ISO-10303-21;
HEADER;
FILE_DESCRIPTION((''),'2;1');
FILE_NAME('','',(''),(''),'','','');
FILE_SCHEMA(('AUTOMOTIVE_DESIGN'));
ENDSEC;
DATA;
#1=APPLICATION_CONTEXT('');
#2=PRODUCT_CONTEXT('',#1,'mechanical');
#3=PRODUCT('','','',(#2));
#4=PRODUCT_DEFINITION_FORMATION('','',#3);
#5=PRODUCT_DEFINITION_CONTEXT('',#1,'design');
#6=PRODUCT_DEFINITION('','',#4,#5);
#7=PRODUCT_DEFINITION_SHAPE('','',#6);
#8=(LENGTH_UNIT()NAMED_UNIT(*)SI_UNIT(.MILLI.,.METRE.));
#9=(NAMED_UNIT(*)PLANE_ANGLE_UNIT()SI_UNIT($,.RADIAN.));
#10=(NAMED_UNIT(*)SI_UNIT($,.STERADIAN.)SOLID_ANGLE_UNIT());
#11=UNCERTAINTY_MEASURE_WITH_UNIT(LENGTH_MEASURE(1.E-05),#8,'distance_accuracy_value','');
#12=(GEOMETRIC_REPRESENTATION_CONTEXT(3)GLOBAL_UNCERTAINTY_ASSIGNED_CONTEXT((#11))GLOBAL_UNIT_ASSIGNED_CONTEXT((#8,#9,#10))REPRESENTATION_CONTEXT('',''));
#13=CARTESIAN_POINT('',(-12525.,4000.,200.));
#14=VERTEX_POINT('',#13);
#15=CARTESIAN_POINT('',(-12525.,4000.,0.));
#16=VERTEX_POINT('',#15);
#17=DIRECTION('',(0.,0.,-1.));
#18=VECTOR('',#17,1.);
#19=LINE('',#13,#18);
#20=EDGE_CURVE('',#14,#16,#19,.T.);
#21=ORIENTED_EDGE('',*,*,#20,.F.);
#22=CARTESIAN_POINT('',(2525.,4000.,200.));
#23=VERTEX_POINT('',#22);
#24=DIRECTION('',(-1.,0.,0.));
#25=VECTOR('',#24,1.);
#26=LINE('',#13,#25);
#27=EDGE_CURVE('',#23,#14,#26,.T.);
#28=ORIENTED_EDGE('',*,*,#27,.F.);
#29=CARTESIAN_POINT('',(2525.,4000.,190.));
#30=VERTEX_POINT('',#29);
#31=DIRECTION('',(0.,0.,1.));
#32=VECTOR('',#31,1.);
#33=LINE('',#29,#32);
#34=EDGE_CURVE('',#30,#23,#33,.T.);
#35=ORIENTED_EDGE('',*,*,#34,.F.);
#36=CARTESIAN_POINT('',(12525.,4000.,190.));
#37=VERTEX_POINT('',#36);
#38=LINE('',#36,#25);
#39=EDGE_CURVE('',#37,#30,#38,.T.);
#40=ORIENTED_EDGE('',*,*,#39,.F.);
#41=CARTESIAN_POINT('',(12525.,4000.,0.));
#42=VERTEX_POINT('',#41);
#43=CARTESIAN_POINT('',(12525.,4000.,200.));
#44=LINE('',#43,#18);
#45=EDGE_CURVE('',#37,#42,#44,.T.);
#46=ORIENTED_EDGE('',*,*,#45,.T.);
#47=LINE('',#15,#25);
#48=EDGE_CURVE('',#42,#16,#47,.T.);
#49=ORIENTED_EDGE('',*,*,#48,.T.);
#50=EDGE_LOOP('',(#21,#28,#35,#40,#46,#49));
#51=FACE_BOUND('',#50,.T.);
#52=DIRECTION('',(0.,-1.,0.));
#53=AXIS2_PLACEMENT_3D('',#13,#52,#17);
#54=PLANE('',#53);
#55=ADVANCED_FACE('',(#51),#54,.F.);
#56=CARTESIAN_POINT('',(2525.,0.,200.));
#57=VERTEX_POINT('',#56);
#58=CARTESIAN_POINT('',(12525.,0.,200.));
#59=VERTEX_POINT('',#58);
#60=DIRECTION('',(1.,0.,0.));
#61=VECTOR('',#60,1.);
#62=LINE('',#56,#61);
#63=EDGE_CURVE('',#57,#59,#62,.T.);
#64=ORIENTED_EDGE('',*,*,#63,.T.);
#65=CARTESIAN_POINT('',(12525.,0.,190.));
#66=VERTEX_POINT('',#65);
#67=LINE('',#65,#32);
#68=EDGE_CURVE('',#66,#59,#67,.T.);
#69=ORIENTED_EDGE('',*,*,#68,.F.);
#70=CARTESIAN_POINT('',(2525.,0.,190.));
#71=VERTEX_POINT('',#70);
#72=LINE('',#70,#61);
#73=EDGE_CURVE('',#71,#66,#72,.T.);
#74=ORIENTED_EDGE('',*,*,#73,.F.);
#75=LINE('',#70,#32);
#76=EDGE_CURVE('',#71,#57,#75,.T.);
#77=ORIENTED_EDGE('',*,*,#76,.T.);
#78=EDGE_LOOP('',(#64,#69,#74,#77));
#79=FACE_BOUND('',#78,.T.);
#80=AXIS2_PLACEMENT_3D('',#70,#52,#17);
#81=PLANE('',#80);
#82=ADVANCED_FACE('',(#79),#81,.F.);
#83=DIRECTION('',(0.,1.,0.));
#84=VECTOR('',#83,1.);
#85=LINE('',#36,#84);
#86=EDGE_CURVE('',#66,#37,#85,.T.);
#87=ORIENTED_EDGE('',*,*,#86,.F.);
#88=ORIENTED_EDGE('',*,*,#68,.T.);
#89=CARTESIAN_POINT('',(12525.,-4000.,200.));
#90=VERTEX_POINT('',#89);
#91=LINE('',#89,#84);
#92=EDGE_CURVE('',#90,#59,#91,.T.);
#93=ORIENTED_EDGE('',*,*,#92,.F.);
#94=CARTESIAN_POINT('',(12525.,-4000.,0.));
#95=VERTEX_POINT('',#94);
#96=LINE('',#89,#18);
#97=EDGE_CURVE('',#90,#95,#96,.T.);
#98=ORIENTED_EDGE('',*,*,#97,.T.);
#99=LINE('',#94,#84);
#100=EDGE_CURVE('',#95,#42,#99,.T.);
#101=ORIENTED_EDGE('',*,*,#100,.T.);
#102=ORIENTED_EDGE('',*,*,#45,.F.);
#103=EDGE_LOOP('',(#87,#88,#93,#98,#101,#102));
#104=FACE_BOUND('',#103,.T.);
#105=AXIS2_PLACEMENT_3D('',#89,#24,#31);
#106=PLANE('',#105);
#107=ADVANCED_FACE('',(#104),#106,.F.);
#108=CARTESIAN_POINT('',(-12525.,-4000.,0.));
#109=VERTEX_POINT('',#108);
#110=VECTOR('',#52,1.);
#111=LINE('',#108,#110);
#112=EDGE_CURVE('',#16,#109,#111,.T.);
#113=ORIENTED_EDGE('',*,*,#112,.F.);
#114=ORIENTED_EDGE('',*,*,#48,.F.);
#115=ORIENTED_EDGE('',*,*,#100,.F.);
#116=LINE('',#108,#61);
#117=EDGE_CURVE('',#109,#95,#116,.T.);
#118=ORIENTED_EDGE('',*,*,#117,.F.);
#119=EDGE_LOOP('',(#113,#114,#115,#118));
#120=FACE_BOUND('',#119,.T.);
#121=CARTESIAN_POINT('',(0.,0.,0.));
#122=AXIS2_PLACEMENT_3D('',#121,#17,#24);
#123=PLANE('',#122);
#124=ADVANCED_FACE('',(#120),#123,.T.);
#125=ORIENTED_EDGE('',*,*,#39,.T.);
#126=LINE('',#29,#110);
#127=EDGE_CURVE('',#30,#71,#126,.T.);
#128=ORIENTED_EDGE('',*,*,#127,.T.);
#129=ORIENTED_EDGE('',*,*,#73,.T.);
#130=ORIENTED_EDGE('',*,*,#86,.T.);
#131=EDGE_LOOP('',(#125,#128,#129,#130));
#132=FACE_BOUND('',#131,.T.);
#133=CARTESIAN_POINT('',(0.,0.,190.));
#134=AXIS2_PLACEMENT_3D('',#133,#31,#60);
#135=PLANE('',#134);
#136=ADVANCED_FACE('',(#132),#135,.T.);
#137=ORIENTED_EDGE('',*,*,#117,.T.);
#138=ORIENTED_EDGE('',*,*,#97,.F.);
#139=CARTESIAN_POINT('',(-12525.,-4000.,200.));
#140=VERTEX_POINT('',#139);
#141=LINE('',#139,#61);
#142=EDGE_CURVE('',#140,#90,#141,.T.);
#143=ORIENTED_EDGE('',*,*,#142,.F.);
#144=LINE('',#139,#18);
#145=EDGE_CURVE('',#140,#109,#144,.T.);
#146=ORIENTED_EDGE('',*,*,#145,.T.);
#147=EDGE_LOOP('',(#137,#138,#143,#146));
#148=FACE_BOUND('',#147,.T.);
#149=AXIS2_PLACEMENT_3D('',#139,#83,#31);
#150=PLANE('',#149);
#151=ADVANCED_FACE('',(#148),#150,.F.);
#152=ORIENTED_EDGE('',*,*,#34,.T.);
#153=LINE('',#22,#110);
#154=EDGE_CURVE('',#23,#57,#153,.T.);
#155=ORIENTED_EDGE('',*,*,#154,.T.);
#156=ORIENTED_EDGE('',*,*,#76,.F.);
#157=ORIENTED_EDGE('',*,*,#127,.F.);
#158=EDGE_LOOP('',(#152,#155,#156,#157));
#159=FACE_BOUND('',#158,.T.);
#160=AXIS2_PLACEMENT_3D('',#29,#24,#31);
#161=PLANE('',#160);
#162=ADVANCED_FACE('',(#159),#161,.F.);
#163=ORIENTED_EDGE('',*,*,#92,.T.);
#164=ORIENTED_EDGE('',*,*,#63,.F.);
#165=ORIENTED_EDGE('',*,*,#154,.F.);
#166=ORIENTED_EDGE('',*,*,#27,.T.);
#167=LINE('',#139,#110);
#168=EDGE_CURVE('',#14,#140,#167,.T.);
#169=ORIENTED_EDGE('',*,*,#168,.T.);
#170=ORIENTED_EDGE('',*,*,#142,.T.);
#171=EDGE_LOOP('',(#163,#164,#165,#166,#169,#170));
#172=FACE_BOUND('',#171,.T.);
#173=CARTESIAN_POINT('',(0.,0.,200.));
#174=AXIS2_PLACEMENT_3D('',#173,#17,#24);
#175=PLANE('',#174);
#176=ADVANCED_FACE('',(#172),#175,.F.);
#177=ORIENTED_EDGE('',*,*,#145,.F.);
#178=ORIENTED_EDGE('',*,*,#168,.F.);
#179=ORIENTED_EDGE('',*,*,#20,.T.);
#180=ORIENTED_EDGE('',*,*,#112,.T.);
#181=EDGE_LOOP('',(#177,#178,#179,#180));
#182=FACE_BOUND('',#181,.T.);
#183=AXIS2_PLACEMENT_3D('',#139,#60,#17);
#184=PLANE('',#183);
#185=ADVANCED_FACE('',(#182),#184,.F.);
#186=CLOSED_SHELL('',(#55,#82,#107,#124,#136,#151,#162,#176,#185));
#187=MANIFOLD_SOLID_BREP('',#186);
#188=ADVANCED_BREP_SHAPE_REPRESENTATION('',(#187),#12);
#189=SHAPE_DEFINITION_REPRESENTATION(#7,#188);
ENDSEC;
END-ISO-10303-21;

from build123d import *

# Parameters (mm, degrees)
CROQUIS1_W              = 25050
CROQUIS1_H              = 8000
SALIENTE_EXTRUIR1_DEPTH = 200
CROQUIS2_W              = 10000
CROQUIS2_H              = 4000
CORTAR_EXTRUIR1_DEPTH   = 10


with BuildPart() as part:
    # Croquis1 → Saliente-Extruir1 (new body)
    with BuildSketch(Plane.XY):
        Rectangle(CROQUIS1_W, CROQUIS1_H)
    extrude(amount=SALIENTE_EXTRUIR1_DEPTH)

    # Croquis2 → Cortar-Extruir1 (cut)
    with BuildSketch(Plane.XY.offset(200)):
        with Locations((7525, 2000)):
            Rectangle(CROQUIS2_W, CROQUIS2_H)
    extrude(amount=-CORTAR_EXTRUIR1_DEPTH, mode=Mode.SUBTRACT)


solid = part.part
